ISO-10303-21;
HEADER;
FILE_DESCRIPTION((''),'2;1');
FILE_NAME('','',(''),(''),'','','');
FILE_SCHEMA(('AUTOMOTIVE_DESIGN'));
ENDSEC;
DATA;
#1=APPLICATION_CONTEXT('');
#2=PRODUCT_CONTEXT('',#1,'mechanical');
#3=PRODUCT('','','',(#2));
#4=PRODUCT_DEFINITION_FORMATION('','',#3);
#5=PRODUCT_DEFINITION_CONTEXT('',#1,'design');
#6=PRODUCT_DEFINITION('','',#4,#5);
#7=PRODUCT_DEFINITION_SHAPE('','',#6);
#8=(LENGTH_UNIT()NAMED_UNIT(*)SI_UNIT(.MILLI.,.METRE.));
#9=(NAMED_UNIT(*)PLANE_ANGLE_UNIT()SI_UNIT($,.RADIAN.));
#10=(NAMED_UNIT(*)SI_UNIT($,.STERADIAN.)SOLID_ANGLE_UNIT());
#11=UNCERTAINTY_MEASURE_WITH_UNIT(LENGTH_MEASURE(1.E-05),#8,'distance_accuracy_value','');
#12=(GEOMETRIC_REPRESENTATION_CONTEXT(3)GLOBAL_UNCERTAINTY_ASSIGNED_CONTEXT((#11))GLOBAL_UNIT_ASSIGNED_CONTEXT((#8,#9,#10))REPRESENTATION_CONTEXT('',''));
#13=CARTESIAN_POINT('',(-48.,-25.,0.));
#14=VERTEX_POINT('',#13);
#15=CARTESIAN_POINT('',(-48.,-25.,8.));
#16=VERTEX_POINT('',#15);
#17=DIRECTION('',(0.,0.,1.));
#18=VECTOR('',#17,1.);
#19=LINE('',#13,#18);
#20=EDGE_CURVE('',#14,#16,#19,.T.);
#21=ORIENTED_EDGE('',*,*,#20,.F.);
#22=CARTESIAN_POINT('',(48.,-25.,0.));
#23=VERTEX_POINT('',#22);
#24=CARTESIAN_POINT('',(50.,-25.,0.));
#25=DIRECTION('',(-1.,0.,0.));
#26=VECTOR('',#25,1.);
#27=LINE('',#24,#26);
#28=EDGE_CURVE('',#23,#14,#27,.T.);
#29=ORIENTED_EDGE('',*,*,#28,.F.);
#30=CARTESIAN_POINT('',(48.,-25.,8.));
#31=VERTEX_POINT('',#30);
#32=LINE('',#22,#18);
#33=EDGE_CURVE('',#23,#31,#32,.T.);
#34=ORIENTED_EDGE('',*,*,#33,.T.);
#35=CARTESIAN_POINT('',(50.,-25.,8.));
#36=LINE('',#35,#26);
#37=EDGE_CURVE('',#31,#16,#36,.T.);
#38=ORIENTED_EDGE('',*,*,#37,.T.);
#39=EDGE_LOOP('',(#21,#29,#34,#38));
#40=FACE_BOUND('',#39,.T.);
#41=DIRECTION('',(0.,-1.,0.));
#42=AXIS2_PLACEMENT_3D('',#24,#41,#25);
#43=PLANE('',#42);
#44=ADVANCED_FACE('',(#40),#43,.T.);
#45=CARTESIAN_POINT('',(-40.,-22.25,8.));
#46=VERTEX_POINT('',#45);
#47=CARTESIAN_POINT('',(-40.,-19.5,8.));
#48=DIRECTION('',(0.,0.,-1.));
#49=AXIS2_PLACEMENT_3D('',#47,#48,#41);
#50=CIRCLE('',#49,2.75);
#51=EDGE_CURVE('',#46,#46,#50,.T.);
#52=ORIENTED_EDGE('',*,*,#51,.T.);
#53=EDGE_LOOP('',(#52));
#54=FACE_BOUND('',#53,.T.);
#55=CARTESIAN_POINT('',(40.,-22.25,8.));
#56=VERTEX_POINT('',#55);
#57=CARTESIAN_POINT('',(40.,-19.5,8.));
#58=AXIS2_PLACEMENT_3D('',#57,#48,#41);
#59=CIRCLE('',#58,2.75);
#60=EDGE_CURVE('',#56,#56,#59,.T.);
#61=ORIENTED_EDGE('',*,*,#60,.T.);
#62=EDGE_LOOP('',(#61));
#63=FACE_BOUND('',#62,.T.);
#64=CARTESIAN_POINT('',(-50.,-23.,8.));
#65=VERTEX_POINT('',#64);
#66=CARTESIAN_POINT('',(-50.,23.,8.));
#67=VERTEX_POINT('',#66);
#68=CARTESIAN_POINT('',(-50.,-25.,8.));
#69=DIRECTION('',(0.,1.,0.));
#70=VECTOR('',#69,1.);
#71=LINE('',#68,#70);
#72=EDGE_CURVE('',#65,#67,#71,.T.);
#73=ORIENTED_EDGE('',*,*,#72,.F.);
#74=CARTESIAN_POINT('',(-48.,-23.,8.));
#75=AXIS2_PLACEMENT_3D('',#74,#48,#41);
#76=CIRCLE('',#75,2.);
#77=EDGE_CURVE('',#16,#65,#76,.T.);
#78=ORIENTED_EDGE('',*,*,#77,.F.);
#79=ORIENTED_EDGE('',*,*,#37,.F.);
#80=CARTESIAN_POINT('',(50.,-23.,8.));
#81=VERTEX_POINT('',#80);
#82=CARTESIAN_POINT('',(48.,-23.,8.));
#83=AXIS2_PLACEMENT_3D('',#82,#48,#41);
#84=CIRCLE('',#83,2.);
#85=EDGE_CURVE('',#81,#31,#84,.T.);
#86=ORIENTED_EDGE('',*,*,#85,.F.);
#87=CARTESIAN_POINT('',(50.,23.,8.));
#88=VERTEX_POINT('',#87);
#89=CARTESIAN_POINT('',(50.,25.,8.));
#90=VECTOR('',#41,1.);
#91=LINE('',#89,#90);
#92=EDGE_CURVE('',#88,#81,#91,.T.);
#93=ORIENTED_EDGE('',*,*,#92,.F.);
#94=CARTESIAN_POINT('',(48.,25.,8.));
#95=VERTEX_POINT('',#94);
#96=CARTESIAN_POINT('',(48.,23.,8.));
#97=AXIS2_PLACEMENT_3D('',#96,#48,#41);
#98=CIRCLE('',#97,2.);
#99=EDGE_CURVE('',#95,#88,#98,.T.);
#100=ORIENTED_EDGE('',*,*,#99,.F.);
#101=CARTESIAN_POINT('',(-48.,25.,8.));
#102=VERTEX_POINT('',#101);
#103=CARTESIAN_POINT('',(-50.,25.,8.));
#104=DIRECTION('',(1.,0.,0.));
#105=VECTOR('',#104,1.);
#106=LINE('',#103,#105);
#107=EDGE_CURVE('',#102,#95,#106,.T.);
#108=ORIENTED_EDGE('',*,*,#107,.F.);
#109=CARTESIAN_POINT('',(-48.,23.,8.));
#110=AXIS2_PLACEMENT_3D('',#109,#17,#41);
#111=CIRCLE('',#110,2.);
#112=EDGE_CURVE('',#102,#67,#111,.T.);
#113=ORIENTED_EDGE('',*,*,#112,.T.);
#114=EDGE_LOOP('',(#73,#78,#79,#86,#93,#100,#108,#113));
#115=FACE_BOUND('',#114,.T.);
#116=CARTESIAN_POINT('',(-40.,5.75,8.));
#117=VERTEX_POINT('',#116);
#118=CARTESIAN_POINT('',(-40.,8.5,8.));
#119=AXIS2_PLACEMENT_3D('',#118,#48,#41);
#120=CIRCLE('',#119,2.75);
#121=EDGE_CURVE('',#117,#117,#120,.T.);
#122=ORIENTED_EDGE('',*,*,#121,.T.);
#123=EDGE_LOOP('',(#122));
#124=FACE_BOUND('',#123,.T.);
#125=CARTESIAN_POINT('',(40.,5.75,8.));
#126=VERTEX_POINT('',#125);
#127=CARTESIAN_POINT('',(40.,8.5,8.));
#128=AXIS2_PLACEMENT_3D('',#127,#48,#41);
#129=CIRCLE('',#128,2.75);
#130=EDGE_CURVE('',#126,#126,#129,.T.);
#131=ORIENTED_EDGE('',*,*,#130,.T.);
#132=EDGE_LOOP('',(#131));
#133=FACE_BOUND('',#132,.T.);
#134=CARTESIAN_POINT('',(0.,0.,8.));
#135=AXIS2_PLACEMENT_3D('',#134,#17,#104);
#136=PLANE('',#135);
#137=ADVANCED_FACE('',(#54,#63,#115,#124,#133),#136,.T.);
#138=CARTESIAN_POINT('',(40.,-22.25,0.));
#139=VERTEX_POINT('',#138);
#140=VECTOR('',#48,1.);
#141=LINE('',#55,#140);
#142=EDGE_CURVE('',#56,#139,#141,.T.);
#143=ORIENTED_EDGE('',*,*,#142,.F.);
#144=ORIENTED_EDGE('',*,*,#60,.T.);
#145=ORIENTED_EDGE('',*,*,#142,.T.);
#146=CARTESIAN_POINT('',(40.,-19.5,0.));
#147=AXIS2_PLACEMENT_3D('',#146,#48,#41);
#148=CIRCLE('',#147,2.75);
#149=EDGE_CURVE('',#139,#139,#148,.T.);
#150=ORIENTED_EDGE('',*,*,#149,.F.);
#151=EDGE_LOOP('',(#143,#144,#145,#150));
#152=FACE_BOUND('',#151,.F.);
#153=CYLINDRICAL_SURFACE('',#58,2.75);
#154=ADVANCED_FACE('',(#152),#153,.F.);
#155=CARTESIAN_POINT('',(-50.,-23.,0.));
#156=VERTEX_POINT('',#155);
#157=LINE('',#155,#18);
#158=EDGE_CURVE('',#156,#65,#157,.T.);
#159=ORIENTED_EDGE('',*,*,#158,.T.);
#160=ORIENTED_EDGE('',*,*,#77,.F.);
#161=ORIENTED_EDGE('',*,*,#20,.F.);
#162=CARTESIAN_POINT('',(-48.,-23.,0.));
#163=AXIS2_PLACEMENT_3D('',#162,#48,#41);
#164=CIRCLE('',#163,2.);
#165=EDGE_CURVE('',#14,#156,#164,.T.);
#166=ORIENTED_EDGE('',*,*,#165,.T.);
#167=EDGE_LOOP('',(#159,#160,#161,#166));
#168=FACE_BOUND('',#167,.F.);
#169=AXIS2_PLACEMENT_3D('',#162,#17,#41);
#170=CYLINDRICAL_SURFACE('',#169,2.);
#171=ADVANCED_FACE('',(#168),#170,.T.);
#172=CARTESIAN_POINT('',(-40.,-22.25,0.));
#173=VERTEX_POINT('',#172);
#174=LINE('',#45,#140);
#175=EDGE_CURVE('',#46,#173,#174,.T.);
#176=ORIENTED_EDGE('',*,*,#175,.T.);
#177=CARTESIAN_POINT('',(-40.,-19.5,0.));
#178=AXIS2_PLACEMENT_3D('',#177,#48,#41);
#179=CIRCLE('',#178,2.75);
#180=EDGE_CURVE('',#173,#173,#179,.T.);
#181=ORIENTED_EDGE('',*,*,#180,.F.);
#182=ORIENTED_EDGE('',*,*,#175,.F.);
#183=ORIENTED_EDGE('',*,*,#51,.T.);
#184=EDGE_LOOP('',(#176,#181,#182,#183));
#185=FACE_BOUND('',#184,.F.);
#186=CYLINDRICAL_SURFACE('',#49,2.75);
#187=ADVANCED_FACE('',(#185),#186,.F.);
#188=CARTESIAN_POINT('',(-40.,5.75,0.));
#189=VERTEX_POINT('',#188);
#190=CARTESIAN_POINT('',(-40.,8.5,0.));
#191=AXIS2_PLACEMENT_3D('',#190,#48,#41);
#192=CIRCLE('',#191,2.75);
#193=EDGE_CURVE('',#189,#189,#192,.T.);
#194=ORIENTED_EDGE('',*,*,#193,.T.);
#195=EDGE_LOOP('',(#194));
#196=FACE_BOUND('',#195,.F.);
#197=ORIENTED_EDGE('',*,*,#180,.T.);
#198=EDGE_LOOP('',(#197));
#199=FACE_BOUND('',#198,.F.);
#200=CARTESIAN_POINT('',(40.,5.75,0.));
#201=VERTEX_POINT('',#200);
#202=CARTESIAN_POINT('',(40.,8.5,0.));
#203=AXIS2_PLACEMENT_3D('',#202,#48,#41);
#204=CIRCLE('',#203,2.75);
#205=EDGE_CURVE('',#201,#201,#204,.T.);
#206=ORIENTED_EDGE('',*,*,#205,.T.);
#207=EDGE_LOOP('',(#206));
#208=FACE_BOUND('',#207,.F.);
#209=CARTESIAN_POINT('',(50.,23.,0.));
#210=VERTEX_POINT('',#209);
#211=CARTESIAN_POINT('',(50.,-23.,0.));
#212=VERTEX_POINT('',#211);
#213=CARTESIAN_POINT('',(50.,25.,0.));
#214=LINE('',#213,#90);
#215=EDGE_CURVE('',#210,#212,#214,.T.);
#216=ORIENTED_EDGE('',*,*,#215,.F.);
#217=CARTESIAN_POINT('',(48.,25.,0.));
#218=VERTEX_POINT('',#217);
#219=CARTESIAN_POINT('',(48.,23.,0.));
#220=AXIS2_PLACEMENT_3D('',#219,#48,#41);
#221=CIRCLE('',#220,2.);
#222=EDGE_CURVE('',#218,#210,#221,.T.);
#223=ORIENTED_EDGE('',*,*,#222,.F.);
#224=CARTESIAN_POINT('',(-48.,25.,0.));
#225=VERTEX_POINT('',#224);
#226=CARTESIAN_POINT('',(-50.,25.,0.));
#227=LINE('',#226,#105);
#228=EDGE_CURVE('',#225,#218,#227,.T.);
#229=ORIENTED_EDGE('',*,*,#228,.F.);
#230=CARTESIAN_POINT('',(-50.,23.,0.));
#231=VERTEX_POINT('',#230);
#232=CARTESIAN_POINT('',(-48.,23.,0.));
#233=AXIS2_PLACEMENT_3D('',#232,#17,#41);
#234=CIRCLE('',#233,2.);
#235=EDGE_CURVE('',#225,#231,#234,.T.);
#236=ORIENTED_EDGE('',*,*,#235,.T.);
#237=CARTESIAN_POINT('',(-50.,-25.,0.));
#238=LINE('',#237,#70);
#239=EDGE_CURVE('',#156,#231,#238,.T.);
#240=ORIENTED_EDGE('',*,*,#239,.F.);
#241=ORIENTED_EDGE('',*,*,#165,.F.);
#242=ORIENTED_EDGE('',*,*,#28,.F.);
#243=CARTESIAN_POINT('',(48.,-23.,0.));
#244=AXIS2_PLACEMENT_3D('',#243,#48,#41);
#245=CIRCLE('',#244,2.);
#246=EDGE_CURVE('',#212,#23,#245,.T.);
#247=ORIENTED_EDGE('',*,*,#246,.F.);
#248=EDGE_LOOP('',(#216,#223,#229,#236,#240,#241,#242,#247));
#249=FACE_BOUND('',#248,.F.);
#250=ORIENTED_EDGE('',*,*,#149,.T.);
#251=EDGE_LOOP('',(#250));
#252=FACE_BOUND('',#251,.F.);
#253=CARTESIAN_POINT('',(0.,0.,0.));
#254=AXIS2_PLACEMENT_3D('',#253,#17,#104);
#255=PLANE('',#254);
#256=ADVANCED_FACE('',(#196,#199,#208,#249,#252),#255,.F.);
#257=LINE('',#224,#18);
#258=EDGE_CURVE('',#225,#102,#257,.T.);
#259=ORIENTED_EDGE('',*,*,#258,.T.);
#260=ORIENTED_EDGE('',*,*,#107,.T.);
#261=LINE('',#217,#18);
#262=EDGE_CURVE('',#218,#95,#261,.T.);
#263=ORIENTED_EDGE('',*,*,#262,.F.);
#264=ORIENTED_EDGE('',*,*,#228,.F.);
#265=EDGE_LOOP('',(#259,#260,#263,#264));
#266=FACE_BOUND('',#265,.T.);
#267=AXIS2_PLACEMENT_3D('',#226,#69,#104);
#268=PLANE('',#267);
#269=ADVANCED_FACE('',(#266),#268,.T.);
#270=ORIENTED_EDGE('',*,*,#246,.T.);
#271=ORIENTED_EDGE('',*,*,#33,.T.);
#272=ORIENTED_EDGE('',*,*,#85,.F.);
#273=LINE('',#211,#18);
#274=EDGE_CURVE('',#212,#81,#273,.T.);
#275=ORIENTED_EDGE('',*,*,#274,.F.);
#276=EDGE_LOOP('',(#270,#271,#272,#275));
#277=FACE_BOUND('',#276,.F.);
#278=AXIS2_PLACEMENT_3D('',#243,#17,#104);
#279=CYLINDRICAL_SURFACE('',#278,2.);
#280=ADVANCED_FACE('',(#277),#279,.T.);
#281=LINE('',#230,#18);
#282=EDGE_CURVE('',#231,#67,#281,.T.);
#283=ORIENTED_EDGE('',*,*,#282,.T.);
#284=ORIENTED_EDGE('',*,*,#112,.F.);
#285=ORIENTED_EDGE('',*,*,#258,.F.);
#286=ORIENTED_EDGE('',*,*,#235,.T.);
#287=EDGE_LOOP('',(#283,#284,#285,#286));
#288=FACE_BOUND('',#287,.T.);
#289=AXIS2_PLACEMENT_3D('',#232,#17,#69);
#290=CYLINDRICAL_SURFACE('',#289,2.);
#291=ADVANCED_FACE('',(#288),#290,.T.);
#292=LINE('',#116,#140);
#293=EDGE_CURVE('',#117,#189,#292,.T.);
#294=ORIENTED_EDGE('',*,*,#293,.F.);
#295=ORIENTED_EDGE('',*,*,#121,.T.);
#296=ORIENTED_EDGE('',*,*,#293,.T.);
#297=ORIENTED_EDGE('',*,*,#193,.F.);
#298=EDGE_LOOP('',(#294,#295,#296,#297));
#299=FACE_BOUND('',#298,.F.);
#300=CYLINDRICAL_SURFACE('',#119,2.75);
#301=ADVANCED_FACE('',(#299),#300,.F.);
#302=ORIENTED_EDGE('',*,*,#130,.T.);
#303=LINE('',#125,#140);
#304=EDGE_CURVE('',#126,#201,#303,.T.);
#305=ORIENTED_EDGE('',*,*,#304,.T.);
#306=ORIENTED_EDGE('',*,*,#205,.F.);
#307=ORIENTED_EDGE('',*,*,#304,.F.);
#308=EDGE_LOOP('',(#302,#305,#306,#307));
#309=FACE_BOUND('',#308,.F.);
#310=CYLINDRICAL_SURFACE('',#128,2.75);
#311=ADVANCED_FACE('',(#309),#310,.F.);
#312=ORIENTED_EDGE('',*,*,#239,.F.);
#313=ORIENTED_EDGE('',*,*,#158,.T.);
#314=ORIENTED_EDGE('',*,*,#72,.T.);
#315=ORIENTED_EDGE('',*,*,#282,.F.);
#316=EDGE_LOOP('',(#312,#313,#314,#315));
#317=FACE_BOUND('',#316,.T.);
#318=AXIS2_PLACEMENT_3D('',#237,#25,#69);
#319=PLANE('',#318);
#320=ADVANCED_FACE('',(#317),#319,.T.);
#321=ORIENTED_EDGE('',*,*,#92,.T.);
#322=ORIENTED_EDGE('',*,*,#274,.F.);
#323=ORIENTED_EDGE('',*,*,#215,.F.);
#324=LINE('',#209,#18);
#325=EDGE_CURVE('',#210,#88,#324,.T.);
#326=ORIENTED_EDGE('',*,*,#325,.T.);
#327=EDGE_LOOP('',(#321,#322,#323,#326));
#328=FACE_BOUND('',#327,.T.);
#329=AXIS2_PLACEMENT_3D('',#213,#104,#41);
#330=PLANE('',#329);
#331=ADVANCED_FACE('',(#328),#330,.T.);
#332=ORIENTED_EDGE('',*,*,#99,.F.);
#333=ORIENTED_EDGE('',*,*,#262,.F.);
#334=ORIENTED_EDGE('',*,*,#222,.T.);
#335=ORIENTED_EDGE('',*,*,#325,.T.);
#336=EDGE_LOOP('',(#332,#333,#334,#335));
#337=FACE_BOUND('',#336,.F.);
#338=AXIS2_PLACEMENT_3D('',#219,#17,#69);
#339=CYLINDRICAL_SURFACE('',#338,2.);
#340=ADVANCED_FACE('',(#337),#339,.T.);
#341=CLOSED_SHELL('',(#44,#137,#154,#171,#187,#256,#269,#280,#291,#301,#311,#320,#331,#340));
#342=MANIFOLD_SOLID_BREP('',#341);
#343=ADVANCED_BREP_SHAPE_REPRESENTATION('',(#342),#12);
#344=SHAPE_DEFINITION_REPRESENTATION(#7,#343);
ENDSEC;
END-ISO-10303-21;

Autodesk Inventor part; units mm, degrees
ref_plane "YZ Plane" through (0, 0, 0) normal (1, 0, 0) x (0, 1, 0)
ref_plane "XZ Plane" through (0, 0, 0) normal (0, 1, 0) x (-1, 0, 0)
ref_plane "XY Plane" through (0, 0, 0) normal (0, 0, 1) x (1, 0, 0)
sketch "Schizzo1" plane through (0, 0, 0) normal (0, 0, 1) x (1, 0, 0)
  line L0 (-50, 25) -> (50, 25)
  line L1 (50, 25) -> (50, -25)
  line L2 (50, -25) -> (-50, -25)
  line L3 (-50, -25) -> (-50, 25)
  line L4 (-50, 25) -> (50, -25) construction
  line L5 (50, 25) -> (-50, -25) construction
  point P0 (0, 0)
  dimension "d0" = 100
  dimension "d1" = 50
extrude "Estrusione1" add sketch "Schizzo1" along normal blind 8
fillet "Raccordo1" radius 2 4 edges at (-50, 25, 4) (50, 25, 4) (50, -25, 4) (-50, -25, 4)
sketch "Schizzo2" plane through (0, 0, 8) normal (0, 0, 1) x (1, 0, 0)
  circle A0 centre (-40, -19.5) radius 2.067
  line L0 (-48, -25) -> (48, -25) projected
  line L1 (-50, 23) -> (-50, -23) projected
  line L2 (50, -23) -> (50, 23) projected
  point P0 (0, 0)
  point P1 (-40, 8.5)
  point P2 (40, 8.5)
  point P3 (40, -19.5)
  dimension "d13" = 28
  dimension "d16" = 5.5
  dimension "d17" = 10
  dimension "d18" = 10
hole "Foro1" at (-40, -19.5, 8) at (-40, 8.5, 8) at (40, 8.5, 8) at (40, -19.5, 8) direction (0, 0, -1) diameter 5.5 end through all clearance for "Vite a testa esagonale con calotta ISO 24017" size "M5" standard "ISO"
properties part number "Piastra collegamento asse - pistone"
